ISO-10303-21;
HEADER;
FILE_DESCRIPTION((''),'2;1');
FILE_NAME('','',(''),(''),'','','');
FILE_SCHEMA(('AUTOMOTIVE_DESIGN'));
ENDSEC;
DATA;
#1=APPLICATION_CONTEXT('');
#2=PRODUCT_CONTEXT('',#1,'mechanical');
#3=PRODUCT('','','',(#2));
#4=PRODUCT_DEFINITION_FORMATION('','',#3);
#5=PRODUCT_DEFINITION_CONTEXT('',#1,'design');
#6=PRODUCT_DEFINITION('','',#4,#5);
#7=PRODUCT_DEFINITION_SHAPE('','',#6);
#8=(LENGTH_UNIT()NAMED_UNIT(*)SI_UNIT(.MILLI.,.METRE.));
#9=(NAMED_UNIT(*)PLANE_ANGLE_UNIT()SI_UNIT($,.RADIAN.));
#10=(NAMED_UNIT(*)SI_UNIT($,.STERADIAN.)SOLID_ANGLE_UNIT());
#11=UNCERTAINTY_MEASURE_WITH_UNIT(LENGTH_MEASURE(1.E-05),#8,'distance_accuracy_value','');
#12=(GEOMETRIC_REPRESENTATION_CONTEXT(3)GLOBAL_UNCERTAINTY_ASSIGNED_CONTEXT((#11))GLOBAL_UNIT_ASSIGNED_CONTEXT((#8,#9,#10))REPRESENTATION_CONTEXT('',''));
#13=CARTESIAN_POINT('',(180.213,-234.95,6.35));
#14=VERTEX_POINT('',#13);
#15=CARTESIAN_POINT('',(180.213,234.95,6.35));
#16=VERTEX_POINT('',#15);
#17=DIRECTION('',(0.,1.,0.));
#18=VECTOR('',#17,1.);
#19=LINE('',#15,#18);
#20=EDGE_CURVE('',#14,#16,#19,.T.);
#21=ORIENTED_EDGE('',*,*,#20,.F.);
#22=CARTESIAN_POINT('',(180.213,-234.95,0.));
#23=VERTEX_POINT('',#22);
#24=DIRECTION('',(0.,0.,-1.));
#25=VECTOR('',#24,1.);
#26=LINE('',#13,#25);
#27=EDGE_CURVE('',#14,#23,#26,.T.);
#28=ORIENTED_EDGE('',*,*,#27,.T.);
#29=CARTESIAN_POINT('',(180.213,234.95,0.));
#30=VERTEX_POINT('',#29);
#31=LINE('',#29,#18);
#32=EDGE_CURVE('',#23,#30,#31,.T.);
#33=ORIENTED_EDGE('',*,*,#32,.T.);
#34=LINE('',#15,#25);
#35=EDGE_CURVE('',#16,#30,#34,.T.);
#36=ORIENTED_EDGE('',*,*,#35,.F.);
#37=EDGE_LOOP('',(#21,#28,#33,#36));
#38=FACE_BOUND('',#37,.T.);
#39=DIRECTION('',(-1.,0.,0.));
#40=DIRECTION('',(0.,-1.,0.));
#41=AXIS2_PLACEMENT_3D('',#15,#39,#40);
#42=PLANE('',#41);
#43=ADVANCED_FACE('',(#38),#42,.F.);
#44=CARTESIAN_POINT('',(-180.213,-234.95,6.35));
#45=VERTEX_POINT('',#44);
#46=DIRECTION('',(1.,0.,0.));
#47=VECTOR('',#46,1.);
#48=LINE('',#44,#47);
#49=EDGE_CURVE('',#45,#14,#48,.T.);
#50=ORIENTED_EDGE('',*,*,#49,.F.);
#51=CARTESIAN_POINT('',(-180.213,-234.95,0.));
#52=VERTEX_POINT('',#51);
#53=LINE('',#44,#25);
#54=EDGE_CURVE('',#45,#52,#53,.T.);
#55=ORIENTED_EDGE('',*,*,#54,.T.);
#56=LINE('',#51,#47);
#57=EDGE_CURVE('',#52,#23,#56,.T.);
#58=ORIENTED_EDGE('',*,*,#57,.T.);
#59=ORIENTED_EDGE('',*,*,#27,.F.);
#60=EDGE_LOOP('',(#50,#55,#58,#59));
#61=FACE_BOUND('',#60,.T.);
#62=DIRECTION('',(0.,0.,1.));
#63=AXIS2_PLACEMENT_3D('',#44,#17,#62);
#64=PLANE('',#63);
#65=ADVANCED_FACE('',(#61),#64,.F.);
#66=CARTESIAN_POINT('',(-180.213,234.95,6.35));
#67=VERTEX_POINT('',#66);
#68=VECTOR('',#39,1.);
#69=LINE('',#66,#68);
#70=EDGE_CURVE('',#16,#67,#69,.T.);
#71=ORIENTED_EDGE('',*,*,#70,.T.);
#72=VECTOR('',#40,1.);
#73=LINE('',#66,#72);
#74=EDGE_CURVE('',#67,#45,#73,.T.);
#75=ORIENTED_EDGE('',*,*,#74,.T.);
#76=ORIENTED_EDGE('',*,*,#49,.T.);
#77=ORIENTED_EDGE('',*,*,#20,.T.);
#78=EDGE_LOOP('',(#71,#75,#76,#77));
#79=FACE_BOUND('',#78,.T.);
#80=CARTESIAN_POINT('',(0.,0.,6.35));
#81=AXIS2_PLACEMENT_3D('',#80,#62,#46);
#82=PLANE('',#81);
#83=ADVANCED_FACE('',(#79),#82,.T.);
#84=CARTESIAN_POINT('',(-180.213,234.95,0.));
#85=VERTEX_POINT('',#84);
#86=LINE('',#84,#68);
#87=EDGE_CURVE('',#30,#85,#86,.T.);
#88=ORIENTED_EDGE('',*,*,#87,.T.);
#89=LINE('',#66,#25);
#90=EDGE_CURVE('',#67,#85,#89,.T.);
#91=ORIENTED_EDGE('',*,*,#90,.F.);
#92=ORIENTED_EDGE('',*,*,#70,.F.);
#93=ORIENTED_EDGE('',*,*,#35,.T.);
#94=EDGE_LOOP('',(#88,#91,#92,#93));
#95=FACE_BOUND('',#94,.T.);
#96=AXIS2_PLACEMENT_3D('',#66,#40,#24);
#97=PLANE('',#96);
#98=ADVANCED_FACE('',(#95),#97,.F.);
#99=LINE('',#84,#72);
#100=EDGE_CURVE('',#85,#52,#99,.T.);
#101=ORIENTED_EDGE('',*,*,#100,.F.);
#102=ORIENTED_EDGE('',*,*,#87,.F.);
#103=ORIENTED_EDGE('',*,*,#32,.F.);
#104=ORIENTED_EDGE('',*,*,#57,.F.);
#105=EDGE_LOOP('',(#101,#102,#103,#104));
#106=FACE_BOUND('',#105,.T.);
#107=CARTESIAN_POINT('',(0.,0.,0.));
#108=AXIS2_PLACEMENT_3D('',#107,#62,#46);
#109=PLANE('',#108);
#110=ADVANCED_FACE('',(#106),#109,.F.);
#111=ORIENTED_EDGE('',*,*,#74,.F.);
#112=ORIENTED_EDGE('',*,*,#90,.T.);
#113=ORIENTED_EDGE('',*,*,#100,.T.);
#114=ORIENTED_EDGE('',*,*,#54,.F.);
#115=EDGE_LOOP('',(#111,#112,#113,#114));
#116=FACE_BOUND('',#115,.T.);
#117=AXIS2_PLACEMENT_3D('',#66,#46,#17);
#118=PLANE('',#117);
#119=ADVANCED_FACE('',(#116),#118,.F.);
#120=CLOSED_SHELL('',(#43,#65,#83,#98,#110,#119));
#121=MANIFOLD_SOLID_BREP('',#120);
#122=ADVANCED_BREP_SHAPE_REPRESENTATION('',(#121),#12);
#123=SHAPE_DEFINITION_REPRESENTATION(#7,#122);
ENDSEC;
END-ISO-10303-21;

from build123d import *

# Parameters (mm, degrees)
SKETCH1_W           = 360.426
SKETCH1_H           = 469.9
BOSS_EXTRUDE1_DEPTH = 6.35


with BuildPart() as part:
    # Sketch1 → Boss-Extrude1 (new body)
    with BuildSketch(Plane.XY):
        Rectangle(SKETCH1_W, SKETCH1_H)
    extrude(amount=BOSS_EXTRUDE1_DEPTH)


solid = part.part
